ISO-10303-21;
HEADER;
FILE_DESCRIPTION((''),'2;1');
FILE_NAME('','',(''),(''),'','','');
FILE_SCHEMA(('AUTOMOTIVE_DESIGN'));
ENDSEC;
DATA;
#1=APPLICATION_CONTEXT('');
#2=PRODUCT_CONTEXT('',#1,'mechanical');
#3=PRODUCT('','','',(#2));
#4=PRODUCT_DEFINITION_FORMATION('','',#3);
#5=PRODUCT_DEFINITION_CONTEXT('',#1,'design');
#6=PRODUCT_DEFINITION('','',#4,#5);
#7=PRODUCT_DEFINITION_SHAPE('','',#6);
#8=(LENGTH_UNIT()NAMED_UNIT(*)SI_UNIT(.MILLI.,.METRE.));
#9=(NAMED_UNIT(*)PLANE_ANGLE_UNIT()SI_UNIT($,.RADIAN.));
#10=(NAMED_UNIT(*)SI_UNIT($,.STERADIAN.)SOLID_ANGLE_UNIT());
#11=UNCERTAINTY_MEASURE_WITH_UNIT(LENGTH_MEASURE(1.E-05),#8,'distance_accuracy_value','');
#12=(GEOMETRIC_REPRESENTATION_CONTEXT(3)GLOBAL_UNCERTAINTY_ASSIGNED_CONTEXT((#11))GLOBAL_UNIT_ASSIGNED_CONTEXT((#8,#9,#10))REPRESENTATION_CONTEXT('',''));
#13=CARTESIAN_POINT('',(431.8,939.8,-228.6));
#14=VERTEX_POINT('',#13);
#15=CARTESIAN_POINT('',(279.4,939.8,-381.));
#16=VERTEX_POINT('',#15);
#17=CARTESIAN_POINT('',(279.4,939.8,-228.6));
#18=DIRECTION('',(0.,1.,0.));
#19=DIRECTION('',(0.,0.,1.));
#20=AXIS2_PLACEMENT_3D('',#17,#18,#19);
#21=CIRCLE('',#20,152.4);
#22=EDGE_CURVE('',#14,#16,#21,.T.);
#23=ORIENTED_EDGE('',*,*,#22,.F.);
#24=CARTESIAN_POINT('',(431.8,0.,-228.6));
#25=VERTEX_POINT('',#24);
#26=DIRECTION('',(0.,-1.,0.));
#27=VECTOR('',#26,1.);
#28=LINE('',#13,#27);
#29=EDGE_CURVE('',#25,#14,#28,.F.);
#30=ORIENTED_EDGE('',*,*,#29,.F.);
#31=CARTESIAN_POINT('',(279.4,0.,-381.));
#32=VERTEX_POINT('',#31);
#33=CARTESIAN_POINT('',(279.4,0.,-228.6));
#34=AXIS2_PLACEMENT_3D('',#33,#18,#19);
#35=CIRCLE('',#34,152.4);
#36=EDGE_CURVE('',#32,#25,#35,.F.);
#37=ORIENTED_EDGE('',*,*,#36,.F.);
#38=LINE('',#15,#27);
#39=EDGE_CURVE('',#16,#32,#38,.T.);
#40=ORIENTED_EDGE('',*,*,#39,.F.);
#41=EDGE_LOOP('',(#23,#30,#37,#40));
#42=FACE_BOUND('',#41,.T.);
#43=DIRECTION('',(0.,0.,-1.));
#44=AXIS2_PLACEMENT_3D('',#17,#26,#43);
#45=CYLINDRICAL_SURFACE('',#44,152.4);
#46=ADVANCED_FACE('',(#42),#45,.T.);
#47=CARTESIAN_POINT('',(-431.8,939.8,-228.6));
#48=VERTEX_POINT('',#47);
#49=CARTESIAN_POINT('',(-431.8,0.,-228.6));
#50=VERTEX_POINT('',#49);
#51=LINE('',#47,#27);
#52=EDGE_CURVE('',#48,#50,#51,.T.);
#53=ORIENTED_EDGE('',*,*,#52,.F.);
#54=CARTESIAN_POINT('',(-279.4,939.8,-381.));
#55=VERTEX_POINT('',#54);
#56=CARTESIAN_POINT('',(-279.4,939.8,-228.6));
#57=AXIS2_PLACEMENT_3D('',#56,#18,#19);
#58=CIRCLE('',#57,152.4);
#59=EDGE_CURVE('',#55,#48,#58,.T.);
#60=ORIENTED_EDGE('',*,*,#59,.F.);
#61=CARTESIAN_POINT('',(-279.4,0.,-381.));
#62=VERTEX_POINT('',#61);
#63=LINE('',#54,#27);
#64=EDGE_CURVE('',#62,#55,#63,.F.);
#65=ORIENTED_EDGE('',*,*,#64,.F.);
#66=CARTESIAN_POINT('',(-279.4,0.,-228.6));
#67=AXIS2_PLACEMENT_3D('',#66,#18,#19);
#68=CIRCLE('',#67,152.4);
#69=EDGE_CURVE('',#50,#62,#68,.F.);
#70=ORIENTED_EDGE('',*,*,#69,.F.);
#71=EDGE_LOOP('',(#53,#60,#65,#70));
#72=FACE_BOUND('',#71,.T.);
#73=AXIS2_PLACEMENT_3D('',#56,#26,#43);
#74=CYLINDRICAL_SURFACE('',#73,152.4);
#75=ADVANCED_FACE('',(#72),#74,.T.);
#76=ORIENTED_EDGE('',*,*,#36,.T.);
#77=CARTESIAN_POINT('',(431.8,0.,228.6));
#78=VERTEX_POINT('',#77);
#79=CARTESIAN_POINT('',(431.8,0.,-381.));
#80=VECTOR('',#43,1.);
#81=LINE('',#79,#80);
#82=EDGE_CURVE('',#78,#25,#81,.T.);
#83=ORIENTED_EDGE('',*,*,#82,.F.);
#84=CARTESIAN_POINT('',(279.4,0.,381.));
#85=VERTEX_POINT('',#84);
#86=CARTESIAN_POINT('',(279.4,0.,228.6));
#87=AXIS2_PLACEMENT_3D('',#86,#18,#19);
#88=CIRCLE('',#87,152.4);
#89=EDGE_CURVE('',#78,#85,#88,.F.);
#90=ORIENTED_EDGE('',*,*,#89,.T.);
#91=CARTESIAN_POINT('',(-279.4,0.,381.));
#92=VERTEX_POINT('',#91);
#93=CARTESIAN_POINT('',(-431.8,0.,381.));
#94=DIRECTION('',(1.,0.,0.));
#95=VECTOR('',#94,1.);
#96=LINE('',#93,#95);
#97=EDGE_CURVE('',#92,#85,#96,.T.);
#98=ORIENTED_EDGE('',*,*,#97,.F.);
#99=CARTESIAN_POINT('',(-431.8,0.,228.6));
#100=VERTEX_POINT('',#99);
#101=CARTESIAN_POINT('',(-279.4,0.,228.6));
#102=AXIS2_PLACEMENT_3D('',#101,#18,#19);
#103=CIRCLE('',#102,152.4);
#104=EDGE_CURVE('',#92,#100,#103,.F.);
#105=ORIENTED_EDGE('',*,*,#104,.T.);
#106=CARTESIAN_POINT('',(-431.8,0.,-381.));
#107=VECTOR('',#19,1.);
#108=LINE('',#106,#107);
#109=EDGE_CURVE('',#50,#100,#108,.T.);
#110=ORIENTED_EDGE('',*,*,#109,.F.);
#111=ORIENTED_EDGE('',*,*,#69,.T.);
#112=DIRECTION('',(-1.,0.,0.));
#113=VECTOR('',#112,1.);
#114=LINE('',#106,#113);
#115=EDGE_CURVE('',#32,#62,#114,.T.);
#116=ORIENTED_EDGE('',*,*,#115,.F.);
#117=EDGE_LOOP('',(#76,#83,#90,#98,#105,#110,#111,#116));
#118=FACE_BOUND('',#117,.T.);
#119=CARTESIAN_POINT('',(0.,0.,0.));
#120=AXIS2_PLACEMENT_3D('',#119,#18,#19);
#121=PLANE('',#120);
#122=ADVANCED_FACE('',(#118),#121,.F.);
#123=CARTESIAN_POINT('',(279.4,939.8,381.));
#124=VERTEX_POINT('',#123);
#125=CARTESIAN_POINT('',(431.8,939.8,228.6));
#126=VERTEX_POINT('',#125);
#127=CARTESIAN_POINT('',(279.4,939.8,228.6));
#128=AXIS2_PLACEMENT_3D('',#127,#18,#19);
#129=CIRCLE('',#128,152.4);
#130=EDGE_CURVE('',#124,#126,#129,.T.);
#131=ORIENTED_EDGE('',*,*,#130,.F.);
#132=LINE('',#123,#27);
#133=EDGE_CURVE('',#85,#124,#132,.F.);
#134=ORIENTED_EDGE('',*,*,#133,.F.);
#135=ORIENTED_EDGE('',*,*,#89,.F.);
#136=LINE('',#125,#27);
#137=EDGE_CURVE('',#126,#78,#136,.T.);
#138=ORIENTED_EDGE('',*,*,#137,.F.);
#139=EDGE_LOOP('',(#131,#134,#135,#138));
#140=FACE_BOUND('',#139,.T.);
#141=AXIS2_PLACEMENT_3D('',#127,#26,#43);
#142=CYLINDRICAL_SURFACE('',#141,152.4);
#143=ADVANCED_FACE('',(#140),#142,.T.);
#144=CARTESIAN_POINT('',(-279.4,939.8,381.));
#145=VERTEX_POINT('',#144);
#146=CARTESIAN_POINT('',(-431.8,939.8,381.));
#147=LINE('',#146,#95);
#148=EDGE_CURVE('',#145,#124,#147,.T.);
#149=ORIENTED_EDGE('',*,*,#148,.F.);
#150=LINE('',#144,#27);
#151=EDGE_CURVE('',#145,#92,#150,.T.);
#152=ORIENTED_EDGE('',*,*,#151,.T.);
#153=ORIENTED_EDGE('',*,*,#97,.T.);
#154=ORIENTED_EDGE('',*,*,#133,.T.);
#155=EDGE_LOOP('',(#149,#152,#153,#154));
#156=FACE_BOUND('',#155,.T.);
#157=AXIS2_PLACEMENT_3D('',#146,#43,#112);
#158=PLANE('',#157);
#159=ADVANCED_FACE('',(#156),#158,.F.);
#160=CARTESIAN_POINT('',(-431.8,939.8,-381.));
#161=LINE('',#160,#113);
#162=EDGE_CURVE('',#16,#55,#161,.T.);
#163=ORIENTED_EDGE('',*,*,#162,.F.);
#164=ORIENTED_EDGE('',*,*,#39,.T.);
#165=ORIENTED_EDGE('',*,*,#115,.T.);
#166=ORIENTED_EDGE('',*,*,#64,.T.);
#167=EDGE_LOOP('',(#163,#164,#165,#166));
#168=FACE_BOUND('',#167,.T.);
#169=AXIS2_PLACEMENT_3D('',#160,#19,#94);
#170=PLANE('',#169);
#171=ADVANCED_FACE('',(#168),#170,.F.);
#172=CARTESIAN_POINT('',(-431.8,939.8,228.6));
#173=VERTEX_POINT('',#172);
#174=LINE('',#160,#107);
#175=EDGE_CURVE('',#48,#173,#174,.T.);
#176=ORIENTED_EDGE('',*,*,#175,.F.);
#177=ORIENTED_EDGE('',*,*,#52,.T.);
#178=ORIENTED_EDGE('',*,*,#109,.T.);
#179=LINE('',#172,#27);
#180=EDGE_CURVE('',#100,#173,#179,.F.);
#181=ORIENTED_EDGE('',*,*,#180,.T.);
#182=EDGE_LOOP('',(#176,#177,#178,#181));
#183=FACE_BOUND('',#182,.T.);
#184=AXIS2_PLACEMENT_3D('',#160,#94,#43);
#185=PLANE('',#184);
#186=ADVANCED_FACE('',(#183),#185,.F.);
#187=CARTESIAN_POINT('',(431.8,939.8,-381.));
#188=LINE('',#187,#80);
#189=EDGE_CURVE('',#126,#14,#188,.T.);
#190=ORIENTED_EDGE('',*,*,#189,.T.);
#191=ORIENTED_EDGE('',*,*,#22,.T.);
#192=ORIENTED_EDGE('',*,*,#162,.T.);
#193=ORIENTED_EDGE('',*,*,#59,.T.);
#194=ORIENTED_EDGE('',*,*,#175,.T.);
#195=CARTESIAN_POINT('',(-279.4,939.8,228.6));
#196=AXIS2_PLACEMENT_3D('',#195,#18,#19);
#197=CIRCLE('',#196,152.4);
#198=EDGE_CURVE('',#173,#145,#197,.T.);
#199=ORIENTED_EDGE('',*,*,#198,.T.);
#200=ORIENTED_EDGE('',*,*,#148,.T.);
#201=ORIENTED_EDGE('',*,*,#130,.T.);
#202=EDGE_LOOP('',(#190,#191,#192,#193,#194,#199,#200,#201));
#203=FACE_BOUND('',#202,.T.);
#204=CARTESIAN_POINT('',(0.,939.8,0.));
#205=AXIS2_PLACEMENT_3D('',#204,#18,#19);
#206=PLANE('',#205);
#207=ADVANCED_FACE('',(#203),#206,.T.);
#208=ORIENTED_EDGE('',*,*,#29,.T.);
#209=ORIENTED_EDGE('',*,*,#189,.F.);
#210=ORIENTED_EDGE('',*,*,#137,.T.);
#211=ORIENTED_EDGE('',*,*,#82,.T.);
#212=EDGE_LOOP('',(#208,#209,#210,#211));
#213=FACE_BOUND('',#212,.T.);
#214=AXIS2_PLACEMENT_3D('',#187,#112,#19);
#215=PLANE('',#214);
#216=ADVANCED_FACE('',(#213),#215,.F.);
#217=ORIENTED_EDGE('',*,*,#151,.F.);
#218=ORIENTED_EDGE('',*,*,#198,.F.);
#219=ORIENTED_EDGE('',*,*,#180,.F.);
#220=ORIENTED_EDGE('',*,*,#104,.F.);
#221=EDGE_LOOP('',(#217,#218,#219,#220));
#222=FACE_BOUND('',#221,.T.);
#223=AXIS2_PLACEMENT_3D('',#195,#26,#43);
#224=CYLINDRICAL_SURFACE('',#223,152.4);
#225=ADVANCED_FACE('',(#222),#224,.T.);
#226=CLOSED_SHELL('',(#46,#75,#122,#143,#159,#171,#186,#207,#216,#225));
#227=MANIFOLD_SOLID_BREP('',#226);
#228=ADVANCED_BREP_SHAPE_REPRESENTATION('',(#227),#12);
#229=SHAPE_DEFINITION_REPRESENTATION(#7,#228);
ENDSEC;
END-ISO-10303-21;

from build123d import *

# Parameters (mm, degrees)
SKETCH1_W           = 863.6
SKETCH1_H           = 762
BOSS_EXTRUDE1_DEPTH = 939.8
FILLET1_R           = 152.4


with BuildPart() as part:
    # Sketch1 → Boss-Extrude1 (new body)
    with BuildSketch(Plane(origin=(0, 0, 0), x_dir=(1, 0, 0), z_dir=(0, 1, 0))):
        Rectangle(SKETCH1_W, SKETCH1_H)
    extrude(amount=BOSS_EXTRUDE1_DEPTH)

    # Fillet1
    fillet1_edges = [part.edges().sort_by_distance(p)[0] for p in [
        (431.8, 469.9, 381),
        (-431.8, 469.9, 381),
        (-431.8, 469.9, -381),
        (431.8, 469.9, -381),
    ]]
    fillet(fillet1_edges, radius=FILLET1_R)


solid = part.part
